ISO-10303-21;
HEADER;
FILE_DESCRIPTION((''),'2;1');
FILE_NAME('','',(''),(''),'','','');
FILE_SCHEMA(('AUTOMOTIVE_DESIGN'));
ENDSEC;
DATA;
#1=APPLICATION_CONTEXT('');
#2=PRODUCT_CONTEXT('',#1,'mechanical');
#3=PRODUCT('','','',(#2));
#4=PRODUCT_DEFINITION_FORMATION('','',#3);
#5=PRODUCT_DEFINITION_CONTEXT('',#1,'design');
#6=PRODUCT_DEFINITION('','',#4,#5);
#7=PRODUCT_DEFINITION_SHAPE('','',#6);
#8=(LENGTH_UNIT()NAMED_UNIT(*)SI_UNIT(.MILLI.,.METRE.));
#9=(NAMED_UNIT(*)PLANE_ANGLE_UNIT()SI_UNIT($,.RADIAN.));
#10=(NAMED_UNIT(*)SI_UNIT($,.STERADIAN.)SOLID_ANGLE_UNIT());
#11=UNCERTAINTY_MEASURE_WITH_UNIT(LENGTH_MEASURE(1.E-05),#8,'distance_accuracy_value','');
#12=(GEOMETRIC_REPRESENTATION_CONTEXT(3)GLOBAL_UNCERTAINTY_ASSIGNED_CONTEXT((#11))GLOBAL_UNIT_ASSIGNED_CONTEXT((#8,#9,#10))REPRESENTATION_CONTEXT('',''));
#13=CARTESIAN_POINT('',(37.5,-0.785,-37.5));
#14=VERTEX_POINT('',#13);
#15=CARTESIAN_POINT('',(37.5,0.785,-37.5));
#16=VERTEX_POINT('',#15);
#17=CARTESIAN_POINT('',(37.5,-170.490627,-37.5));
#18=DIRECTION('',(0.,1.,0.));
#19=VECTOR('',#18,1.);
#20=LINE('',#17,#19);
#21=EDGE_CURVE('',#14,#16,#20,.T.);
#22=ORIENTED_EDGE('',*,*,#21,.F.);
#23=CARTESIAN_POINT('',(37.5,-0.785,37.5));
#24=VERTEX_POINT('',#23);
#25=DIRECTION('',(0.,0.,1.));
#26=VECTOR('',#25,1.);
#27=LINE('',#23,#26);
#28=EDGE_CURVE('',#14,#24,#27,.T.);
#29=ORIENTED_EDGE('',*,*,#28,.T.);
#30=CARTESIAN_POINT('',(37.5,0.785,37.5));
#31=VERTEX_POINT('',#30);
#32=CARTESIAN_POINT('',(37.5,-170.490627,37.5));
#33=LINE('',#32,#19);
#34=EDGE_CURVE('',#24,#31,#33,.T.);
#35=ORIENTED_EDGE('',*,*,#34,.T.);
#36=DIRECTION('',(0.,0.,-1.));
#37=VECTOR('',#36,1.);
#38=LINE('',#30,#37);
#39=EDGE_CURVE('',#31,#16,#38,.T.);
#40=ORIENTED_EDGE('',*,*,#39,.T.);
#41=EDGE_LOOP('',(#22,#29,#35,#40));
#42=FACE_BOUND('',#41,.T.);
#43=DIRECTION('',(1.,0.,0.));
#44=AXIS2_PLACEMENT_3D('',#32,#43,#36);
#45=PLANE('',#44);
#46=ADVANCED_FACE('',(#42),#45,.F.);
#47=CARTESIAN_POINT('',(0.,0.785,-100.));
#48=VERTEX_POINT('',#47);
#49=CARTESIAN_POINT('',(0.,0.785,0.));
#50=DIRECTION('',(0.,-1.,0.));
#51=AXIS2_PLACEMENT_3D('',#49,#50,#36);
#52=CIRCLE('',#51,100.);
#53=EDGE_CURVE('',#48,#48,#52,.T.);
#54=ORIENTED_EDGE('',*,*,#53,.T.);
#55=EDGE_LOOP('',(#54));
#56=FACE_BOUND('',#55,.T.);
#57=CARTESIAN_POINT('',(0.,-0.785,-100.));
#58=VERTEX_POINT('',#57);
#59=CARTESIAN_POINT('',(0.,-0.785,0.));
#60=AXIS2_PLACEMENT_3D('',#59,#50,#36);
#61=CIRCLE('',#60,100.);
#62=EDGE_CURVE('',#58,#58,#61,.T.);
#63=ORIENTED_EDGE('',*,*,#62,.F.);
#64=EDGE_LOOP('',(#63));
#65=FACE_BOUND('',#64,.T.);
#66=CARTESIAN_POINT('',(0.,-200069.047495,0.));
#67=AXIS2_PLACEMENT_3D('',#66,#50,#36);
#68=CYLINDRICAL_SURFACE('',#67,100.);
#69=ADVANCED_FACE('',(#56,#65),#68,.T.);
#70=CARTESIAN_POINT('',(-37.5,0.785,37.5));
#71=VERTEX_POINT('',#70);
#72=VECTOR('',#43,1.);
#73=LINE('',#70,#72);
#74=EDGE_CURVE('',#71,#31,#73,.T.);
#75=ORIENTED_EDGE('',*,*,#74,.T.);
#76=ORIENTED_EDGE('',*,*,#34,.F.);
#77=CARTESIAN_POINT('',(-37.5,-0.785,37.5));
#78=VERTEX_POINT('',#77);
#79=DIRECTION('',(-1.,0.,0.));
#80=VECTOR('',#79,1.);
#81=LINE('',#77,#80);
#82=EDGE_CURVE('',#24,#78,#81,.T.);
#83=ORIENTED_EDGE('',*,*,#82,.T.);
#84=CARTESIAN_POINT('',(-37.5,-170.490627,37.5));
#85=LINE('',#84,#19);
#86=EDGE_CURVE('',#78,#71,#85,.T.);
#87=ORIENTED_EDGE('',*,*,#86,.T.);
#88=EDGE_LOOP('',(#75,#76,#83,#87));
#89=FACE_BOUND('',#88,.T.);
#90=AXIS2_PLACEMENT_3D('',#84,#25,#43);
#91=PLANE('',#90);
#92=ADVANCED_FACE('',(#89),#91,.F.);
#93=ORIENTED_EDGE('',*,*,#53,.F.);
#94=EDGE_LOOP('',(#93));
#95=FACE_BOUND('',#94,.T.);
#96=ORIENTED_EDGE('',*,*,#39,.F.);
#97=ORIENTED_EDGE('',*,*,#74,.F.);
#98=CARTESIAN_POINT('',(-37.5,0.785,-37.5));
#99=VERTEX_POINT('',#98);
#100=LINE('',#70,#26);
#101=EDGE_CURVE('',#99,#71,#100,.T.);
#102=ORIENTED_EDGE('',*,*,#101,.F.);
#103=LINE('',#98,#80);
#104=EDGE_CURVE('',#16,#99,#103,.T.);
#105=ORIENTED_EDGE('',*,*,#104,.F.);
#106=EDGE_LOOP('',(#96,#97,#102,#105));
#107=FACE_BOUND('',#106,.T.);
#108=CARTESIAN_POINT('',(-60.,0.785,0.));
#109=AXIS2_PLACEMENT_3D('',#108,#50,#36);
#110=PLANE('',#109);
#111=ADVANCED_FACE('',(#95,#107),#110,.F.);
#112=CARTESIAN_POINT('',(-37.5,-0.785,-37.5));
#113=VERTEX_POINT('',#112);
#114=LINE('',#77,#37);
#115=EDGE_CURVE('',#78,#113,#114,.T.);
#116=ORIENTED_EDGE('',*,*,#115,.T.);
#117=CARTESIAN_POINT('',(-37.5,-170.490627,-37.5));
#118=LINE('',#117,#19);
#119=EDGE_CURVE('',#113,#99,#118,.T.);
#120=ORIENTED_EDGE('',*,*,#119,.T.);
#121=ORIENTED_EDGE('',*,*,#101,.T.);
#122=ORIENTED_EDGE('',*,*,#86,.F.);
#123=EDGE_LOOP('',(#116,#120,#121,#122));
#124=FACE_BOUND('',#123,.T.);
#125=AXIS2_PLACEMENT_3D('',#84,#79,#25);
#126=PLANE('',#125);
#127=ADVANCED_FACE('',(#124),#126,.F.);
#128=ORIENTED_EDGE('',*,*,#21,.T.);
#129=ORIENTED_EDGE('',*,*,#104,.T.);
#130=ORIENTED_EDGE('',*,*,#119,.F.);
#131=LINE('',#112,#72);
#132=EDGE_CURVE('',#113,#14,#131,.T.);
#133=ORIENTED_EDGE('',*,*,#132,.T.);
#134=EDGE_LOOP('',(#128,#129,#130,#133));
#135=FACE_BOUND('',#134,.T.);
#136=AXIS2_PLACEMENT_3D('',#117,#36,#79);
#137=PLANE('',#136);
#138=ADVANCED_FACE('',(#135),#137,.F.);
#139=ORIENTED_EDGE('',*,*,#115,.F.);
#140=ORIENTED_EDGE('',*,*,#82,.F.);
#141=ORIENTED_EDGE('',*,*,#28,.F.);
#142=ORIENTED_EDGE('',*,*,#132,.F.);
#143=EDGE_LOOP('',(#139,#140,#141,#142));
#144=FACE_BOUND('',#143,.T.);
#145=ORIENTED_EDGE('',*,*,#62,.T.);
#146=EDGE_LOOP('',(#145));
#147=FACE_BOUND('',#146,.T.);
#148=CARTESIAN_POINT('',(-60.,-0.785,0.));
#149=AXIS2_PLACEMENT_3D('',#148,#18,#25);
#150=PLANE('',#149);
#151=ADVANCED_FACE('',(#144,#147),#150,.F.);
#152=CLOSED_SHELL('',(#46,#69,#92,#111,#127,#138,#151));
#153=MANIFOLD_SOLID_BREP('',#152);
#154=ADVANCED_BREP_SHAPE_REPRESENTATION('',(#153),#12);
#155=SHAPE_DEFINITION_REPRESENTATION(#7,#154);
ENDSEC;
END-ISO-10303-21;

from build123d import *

# Parameters (mm, degrees)
SKETCH1_W           = 40
SKETCH1_H           = 1.57
BOSS_EXTRUDE1_START = -1.57
SKETCH2_R           = 60
SKETCH2_W           = 75
SKETCH2_H           = 75
BOSS_EXTRUDE1_DEPTH = 1.57


with BuildPart() as part:
    # Sketch1 → Revolve1 (revolve)
    with BuildSketch(Plane.XY, mode=Mode.PRIVATE) as revolve1_sk:
        with Locations((-80, 0)):
            Rectangle(SKETCH1_W, SKETCH1_H)
    revolve(revolve1_sk.sketch.rotate(Axis((0, -200069.047495165, 0), (0, 1, 0)), 270), axis=Axis((0, -200069.047495165, 0), (0, 1, 0)))

    # Sketch2 → Boss-Extrude1 (add)
    with BuildSketch(Plane(origin=(0, 0.785, 0), x_dir=(1, 0, 0), z_dir=(0, 1, 0)).offset(BOSS_EXTRUDE1_START)):
        Circle(SKETCH2_R)
        Rectangle(SKETCH2_W, SKETCH2_H, mode=Mode.SUBTRACT)
    extrude(amount=BOSS_EXTRUDE1_DEPTH)


solid = part.part
